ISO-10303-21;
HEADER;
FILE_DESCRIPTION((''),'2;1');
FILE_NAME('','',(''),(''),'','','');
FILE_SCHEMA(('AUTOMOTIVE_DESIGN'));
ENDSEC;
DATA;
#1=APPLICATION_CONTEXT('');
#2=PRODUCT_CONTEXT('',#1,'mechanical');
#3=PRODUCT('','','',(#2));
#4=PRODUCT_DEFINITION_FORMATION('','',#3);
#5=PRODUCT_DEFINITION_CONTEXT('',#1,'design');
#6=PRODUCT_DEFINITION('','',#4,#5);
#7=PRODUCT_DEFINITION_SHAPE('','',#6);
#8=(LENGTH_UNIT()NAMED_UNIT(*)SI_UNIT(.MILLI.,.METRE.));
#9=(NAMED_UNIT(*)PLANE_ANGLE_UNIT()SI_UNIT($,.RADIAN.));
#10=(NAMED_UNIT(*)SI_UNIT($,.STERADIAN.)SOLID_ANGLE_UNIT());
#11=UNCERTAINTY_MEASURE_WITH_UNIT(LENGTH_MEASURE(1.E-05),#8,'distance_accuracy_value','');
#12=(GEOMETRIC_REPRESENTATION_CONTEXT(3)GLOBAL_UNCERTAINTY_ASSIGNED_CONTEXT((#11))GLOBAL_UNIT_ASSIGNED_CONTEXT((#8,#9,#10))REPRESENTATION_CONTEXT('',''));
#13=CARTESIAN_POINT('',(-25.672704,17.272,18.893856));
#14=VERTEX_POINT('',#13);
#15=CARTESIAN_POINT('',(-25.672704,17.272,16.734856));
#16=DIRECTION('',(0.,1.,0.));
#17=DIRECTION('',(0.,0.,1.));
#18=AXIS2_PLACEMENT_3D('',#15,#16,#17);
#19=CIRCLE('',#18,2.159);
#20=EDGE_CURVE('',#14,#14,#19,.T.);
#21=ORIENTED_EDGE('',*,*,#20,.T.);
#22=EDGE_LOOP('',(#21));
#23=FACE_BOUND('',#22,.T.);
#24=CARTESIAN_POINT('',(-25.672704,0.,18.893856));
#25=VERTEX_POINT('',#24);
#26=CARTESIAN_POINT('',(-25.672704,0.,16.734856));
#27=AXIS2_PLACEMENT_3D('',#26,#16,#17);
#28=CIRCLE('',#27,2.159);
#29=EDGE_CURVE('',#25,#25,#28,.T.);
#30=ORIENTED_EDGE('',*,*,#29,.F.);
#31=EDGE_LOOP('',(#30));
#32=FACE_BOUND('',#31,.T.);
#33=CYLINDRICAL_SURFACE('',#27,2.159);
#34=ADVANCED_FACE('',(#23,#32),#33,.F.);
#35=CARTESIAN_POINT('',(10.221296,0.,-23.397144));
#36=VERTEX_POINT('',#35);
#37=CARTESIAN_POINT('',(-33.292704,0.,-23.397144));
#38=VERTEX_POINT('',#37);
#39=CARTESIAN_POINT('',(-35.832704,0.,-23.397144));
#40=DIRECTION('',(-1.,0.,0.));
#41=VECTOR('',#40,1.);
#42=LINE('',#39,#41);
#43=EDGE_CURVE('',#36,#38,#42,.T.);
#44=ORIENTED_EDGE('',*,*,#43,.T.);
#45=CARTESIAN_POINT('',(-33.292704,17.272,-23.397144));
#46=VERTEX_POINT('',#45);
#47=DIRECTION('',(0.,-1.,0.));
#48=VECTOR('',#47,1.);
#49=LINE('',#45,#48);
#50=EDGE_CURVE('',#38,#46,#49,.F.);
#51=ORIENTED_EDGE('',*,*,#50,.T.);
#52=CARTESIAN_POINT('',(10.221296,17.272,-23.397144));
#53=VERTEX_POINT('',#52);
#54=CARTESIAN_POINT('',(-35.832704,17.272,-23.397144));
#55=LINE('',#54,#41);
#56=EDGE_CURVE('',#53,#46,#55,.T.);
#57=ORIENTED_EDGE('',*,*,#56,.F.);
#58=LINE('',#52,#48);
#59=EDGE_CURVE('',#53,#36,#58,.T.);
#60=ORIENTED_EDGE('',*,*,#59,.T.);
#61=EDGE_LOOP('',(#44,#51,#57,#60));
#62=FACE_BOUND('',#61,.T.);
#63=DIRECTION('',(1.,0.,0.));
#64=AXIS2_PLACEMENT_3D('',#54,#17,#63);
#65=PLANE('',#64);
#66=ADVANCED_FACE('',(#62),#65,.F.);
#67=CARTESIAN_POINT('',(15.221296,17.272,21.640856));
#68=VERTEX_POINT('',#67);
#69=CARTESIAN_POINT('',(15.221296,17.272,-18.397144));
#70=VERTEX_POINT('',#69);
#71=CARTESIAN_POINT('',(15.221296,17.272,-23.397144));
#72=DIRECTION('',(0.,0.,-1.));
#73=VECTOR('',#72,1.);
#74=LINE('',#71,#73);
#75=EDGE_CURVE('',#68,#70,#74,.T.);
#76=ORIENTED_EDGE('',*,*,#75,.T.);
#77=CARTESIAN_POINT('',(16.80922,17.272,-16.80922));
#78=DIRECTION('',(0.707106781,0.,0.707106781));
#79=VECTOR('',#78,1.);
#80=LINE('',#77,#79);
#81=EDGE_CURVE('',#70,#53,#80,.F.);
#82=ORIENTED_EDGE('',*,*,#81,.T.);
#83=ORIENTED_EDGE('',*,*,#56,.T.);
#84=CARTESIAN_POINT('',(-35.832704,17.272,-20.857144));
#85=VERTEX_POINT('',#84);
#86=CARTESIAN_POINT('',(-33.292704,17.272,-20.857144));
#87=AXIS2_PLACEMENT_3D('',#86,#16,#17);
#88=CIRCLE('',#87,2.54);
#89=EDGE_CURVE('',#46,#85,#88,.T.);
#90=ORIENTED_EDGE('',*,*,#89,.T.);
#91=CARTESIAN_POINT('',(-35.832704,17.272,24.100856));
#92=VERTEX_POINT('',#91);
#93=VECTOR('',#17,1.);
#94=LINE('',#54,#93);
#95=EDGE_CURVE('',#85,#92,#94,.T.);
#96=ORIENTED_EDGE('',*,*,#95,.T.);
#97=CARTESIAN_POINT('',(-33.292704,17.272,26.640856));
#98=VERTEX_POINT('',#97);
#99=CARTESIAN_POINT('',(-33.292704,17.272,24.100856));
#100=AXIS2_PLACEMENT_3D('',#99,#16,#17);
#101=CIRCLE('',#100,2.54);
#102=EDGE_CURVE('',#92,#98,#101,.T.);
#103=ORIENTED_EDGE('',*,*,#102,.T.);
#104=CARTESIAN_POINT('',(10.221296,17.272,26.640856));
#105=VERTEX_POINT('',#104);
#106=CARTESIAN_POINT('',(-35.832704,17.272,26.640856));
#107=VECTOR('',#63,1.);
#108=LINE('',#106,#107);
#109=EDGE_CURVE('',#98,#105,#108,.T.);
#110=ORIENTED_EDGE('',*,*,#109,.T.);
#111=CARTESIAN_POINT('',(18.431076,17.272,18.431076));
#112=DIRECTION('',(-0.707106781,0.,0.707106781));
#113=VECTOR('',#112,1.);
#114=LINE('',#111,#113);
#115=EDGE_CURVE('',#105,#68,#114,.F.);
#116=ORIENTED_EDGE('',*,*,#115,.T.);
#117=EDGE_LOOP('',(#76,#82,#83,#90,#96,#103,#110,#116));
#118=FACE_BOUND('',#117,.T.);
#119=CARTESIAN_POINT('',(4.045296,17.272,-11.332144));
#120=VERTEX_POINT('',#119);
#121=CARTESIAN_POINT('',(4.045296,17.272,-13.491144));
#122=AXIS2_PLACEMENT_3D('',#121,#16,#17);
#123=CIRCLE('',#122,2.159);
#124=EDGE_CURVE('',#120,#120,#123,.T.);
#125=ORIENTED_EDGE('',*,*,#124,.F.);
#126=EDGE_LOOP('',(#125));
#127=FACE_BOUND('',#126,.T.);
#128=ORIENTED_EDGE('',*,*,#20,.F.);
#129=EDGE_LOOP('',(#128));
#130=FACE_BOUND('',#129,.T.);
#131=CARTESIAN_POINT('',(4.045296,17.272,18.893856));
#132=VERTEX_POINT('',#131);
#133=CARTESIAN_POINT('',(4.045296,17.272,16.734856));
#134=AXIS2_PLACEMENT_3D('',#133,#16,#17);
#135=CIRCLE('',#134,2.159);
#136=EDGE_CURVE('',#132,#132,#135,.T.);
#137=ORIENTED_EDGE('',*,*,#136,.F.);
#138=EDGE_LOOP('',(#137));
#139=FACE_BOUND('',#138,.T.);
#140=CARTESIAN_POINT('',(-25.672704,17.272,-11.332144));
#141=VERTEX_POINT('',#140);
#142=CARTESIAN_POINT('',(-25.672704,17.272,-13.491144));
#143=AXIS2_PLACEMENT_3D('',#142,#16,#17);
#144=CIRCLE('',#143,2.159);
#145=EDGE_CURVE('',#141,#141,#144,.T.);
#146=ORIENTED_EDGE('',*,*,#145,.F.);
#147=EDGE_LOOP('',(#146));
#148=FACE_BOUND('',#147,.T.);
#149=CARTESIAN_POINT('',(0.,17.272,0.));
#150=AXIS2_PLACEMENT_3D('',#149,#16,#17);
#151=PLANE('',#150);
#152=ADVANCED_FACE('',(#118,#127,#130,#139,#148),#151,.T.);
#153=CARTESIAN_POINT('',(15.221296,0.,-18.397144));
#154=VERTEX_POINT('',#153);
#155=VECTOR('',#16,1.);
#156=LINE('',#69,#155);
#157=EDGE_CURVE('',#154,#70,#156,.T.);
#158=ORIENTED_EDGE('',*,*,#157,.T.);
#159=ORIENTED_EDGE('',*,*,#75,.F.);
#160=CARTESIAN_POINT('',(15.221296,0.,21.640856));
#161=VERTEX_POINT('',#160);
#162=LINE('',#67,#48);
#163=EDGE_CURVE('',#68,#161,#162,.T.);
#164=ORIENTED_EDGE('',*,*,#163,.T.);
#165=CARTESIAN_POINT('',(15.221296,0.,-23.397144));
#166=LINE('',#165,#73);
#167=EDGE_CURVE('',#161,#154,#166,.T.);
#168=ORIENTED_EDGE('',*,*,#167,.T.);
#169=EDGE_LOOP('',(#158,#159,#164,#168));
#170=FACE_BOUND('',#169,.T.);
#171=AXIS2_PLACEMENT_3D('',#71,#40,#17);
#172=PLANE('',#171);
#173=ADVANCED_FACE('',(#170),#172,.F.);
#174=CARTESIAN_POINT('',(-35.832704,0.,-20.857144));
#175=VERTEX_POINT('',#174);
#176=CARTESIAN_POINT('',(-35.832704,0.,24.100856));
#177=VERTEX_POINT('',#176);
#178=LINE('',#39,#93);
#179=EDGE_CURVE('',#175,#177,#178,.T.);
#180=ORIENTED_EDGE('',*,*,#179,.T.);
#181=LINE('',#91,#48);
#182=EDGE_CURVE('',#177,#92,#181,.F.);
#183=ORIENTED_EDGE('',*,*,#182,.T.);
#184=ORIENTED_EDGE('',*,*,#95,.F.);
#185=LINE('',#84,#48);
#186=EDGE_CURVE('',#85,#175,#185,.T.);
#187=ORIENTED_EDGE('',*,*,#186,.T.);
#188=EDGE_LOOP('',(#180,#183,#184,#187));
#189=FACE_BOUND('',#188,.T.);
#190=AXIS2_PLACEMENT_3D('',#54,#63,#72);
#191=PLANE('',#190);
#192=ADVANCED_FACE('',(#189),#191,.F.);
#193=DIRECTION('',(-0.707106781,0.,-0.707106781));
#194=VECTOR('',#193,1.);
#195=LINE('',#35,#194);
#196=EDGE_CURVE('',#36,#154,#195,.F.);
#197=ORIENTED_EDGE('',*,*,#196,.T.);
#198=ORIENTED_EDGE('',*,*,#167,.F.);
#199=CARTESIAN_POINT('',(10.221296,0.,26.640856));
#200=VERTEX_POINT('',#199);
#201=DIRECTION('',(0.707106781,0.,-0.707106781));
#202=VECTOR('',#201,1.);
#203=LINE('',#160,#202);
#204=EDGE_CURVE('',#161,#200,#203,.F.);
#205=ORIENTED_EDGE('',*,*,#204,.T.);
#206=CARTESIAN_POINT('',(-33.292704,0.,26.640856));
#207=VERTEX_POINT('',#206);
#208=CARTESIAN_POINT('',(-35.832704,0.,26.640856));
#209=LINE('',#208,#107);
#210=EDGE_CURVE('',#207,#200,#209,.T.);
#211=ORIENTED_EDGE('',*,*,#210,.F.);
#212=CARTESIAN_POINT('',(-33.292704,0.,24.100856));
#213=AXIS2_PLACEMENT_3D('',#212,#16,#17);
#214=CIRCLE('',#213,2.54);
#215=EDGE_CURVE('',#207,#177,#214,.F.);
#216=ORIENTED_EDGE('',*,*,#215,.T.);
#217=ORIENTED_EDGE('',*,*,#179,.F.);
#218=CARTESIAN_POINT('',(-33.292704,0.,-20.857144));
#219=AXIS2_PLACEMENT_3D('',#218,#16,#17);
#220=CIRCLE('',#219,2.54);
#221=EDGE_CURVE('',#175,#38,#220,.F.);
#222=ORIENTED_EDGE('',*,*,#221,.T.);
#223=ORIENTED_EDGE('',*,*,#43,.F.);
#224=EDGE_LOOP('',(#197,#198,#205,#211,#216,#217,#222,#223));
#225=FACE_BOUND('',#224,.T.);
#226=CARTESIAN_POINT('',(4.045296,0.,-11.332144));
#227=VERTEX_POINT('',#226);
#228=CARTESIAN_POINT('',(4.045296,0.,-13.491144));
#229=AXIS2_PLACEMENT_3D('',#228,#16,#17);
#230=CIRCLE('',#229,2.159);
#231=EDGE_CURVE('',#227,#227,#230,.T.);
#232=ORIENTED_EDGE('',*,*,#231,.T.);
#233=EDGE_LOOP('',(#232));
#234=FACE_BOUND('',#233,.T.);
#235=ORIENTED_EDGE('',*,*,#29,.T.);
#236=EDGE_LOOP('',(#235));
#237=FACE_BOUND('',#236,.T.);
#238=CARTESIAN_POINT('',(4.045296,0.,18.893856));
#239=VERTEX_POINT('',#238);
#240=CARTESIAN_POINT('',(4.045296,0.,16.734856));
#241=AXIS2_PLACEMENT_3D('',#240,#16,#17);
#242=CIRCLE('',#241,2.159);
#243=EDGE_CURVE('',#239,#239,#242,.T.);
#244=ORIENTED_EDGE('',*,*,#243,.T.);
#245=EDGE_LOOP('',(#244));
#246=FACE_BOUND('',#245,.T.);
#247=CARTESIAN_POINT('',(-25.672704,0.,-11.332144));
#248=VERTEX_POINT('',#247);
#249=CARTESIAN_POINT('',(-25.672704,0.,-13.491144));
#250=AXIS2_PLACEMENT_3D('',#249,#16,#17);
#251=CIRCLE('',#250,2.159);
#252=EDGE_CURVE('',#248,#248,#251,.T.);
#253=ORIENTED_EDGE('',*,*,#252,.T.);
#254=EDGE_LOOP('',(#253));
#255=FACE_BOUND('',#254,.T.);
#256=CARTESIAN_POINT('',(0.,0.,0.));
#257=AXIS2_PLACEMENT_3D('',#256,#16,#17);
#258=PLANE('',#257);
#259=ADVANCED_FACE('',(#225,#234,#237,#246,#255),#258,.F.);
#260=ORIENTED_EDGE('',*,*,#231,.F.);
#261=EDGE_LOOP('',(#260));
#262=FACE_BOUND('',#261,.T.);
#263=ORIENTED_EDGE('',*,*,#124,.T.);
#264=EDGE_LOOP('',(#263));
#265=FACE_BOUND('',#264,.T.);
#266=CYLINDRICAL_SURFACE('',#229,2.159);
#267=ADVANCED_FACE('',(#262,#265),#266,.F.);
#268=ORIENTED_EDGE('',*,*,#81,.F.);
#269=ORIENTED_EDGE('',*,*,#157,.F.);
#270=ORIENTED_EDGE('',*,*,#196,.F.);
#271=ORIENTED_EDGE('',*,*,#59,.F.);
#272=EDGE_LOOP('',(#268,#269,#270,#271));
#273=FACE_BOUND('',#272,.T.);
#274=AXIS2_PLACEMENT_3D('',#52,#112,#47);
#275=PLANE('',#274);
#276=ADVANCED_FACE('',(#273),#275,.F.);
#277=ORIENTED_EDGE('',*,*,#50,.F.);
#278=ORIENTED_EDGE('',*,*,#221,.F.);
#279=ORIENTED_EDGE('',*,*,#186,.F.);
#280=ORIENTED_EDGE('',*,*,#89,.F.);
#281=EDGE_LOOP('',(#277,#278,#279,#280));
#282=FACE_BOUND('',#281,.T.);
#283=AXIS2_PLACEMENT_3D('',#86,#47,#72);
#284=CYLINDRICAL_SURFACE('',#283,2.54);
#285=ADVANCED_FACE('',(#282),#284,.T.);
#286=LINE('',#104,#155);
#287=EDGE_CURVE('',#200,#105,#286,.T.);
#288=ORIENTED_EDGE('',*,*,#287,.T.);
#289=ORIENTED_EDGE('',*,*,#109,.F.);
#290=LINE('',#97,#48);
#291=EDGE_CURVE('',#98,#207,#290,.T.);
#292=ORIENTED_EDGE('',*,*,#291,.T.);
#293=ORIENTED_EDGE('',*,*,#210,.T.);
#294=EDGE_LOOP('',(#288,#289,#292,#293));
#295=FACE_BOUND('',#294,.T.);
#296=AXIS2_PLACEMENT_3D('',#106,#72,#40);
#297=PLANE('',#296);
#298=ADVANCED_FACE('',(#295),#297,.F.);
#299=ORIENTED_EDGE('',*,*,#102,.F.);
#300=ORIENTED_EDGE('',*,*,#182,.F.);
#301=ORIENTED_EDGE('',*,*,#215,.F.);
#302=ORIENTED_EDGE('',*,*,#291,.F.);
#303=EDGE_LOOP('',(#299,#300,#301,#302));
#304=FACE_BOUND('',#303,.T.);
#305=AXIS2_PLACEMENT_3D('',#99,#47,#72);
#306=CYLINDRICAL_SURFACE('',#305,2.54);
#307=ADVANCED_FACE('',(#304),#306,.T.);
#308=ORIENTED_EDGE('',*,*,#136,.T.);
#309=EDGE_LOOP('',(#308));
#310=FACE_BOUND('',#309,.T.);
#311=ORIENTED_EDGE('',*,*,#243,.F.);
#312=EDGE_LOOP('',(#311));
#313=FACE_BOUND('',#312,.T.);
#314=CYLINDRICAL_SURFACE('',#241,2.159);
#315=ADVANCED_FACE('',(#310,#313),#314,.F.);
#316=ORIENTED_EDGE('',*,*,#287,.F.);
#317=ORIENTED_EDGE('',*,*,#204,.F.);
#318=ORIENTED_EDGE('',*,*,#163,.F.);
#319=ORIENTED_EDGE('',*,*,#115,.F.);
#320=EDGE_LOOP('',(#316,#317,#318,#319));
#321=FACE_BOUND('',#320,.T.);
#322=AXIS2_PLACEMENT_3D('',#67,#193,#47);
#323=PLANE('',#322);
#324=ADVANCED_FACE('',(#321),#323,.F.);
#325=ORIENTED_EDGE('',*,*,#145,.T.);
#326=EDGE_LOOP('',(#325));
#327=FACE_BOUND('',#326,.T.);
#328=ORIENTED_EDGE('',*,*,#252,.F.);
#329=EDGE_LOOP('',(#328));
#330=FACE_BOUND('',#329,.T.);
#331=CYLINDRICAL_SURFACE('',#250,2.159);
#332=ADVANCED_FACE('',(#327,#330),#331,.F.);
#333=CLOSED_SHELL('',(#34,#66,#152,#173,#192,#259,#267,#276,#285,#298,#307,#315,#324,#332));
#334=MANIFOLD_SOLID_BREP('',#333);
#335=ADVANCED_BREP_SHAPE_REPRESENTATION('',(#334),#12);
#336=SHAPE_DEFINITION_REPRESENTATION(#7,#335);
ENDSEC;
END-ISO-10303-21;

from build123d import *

# Parameters (mm, degrees)
SKETCH1_W           = 51.054
SKETCH1_H           = 50.038
BOSS_EXTRUDE1_DEPTH = 17.272
CHAMFER1_SIZE       = 5
FILLET1_R           = 2.54
SKETCH2_R           = 2.159
CUT_EXTRUDE1_DEPTH  = 48.875253562


with BuildPart() as part:
    # Sketch1 → Boss-Extrude1 (new body)
    with BuildSketch(Plane(origin=(0, 0, 0), x_dir=(1, 0, 0), z_dir=(0, 1, 0))):
        with Locations((-10.305704367, -1.621856169)):
            Rectangle(SKETCH1_W, SKETCH1_H)
    extrude(amount=BOSS_EXTRUDE1_DEPTH)

    # Chamfer1
    chamfer1_edges = [part.edges().sort_by_distance(p)[0] for p in [
        (15.221295633, 8.636, -23.397143831),
        (15.221295633, 8.636, 26.640856169),
    ]]
    chamfer(chamfer1_edges, length=CHAMFER1_SIZE)

    # Fillet1
    fillet1_edges = [part.edges().sort_by_distance(p)[0] for p in [
        (-35.832704367, 8.636, -23.397143831),
        (-35.832704367, 8.636, 26.640856169),
    ]]
    fillet(fillet1_edges, radius=FILLET1_R)

    # Sketch2 → Cut-Extrude1 (cut, through all)
    with BuildSketch(Plane(origin=(0, 17.272, 0), x_dir=(1, 0, 0), z_dir=(0, 1, 0))):
        with Locations(Location((-25.672704367, 13.491143831, 0), (0, 0, 270))):
            Circle(SKETCH2_R)
        with Locations(Location((4.045295633, 13.491143831, 0), (0, 0, 270))):
            Circle(SKETCH2_R)
        with Locations(Location((4.045295633, -16.734856169, 0), (0, 0, 270))):
            Circle(SKETCH2_R)
        with Locations(Location((-25.672704367, -16.734856169, 0), (0, 0, 270))):
            Circle(SKETCH2_R)
    extrude(amount=-CUT_EXTRUDE1_DEPTH, mode=Mode.SUBTRACT)


solid = part.part
